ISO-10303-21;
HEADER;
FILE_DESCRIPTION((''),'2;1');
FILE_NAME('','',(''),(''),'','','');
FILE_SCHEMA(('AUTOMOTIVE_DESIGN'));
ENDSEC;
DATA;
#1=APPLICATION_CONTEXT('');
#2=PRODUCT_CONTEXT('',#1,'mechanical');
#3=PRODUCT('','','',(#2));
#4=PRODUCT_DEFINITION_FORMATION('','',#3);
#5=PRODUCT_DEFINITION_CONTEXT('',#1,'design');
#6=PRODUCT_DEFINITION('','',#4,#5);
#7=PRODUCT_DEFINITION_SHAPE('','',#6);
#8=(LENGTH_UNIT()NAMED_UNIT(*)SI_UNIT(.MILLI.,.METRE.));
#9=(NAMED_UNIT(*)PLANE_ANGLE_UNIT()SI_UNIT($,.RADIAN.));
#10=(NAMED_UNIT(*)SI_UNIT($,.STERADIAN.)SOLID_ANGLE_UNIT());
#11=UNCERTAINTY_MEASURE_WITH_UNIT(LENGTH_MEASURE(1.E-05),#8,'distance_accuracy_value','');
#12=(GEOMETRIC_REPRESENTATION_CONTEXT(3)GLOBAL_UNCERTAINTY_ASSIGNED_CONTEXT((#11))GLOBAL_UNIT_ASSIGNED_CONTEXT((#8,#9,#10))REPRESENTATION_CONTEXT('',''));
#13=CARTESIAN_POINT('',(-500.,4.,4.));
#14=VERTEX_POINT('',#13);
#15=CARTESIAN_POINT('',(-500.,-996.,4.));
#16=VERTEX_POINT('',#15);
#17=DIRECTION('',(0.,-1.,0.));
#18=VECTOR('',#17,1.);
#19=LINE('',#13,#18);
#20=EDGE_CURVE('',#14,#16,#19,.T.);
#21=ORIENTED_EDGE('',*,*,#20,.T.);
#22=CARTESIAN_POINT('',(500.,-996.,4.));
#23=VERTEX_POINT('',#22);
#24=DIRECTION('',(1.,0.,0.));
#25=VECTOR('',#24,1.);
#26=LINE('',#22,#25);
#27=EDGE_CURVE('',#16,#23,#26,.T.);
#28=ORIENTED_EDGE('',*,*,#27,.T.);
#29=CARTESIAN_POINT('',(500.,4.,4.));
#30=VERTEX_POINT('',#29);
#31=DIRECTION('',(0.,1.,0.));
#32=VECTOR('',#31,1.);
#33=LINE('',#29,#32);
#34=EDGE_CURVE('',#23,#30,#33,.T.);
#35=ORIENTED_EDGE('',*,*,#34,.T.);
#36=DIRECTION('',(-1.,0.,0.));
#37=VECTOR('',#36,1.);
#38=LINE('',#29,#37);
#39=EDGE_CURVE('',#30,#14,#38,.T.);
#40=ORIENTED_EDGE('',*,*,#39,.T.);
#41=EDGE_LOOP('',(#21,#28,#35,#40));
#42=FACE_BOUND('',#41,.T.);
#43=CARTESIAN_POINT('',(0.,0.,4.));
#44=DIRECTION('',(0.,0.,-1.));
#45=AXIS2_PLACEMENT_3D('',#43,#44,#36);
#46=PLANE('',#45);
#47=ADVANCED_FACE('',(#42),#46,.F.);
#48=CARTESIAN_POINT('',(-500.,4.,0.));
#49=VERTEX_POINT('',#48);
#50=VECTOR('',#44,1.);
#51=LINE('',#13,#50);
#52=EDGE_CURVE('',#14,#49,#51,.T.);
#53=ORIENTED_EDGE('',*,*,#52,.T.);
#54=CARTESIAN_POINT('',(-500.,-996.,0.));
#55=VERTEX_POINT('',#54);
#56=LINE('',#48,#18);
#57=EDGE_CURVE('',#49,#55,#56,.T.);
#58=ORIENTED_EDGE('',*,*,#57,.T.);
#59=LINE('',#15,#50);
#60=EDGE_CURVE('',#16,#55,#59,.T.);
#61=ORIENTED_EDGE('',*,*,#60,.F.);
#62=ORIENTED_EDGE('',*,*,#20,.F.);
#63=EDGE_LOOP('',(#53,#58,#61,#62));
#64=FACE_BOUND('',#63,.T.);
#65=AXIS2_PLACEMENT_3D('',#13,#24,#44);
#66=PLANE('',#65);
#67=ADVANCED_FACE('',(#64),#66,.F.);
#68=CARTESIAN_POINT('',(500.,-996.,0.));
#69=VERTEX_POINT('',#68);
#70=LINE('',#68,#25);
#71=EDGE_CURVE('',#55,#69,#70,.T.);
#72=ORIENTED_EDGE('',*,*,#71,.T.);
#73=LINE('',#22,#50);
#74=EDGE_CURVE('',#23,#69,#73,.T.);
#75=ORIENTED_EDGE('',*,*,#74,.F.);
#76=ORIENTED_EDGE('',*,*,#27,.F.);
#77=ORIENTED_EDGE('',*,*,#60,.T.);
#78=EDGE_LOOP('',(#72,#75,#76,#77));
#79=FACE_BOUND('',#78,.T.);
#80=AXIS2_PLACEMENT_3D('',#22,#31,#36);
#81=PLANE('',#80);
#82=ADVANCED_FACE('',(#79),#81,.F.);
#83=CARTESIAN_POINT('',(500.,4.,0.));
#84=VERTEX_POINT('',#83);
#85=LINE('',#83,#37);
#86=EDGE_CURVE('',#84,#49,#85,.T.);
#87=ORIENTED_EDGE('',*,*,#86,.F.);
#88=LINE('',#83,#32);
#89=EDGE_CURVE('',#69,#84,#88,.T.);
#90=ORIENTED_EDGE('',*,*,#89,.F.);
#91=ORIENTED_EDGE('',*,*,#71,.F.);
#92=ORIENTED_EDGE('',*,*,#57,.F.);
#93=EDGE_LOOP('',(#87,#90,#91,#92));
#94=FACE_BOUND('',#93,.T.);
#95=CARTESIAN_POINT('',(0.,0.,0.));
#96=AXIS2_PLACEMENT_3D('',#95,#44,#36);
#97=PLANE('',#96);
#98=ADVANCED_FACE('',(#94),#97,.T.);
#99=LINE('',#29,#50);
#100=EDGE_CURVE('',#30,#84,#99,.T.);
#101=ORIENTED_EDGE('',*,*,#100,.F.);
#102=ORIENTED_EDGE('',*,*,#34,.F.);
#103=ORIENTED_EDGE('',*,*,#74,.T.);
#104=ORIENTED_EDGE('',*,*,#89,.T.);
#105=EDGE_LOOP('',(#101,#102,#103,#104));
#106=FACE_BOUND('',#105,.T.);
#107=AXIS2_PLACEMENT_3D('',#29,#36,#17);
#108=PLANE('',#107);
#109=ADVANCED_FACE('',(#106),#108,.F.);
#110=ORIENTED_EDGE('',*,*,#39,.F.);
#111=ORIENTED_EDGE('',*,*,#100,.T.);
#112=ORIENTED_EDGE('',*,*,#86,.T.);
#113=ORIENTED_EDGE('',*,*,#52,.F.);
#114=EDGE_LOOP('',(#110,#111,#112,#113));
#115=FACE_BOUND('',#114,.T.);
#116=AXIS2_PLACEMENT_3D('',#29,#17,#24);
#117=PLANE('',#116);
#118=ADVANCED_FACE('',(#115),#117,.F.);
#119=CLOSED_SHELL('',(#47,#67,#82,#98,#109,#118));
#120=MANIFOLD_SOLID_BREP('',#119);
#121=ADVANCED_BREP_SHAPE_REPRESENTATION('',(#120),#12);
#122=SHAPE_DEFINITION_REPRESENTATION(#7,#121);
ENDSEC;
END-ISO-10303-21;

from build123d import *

# Parameters (mm, degrees)
SKIZZE1_W                       = 1000
SKIZZE1_H                       = 1000
AUFSATZ_LINEAR_AUSTRAGEN1_DEPTH = 4


with BuildPart() as part:
    # Skizze1 → Aufsatz-Linear austragen1 (new body)
    with BuildSketch(Plane.XY):
        with Locations((0, -496)):
            Rectangle(SKIZZE1_W, SKIZZE1_H)
    extrude(amount=AUFSATZ_LINEAR_AUSTRAGEN1_DEPTH)


solid = part.part
